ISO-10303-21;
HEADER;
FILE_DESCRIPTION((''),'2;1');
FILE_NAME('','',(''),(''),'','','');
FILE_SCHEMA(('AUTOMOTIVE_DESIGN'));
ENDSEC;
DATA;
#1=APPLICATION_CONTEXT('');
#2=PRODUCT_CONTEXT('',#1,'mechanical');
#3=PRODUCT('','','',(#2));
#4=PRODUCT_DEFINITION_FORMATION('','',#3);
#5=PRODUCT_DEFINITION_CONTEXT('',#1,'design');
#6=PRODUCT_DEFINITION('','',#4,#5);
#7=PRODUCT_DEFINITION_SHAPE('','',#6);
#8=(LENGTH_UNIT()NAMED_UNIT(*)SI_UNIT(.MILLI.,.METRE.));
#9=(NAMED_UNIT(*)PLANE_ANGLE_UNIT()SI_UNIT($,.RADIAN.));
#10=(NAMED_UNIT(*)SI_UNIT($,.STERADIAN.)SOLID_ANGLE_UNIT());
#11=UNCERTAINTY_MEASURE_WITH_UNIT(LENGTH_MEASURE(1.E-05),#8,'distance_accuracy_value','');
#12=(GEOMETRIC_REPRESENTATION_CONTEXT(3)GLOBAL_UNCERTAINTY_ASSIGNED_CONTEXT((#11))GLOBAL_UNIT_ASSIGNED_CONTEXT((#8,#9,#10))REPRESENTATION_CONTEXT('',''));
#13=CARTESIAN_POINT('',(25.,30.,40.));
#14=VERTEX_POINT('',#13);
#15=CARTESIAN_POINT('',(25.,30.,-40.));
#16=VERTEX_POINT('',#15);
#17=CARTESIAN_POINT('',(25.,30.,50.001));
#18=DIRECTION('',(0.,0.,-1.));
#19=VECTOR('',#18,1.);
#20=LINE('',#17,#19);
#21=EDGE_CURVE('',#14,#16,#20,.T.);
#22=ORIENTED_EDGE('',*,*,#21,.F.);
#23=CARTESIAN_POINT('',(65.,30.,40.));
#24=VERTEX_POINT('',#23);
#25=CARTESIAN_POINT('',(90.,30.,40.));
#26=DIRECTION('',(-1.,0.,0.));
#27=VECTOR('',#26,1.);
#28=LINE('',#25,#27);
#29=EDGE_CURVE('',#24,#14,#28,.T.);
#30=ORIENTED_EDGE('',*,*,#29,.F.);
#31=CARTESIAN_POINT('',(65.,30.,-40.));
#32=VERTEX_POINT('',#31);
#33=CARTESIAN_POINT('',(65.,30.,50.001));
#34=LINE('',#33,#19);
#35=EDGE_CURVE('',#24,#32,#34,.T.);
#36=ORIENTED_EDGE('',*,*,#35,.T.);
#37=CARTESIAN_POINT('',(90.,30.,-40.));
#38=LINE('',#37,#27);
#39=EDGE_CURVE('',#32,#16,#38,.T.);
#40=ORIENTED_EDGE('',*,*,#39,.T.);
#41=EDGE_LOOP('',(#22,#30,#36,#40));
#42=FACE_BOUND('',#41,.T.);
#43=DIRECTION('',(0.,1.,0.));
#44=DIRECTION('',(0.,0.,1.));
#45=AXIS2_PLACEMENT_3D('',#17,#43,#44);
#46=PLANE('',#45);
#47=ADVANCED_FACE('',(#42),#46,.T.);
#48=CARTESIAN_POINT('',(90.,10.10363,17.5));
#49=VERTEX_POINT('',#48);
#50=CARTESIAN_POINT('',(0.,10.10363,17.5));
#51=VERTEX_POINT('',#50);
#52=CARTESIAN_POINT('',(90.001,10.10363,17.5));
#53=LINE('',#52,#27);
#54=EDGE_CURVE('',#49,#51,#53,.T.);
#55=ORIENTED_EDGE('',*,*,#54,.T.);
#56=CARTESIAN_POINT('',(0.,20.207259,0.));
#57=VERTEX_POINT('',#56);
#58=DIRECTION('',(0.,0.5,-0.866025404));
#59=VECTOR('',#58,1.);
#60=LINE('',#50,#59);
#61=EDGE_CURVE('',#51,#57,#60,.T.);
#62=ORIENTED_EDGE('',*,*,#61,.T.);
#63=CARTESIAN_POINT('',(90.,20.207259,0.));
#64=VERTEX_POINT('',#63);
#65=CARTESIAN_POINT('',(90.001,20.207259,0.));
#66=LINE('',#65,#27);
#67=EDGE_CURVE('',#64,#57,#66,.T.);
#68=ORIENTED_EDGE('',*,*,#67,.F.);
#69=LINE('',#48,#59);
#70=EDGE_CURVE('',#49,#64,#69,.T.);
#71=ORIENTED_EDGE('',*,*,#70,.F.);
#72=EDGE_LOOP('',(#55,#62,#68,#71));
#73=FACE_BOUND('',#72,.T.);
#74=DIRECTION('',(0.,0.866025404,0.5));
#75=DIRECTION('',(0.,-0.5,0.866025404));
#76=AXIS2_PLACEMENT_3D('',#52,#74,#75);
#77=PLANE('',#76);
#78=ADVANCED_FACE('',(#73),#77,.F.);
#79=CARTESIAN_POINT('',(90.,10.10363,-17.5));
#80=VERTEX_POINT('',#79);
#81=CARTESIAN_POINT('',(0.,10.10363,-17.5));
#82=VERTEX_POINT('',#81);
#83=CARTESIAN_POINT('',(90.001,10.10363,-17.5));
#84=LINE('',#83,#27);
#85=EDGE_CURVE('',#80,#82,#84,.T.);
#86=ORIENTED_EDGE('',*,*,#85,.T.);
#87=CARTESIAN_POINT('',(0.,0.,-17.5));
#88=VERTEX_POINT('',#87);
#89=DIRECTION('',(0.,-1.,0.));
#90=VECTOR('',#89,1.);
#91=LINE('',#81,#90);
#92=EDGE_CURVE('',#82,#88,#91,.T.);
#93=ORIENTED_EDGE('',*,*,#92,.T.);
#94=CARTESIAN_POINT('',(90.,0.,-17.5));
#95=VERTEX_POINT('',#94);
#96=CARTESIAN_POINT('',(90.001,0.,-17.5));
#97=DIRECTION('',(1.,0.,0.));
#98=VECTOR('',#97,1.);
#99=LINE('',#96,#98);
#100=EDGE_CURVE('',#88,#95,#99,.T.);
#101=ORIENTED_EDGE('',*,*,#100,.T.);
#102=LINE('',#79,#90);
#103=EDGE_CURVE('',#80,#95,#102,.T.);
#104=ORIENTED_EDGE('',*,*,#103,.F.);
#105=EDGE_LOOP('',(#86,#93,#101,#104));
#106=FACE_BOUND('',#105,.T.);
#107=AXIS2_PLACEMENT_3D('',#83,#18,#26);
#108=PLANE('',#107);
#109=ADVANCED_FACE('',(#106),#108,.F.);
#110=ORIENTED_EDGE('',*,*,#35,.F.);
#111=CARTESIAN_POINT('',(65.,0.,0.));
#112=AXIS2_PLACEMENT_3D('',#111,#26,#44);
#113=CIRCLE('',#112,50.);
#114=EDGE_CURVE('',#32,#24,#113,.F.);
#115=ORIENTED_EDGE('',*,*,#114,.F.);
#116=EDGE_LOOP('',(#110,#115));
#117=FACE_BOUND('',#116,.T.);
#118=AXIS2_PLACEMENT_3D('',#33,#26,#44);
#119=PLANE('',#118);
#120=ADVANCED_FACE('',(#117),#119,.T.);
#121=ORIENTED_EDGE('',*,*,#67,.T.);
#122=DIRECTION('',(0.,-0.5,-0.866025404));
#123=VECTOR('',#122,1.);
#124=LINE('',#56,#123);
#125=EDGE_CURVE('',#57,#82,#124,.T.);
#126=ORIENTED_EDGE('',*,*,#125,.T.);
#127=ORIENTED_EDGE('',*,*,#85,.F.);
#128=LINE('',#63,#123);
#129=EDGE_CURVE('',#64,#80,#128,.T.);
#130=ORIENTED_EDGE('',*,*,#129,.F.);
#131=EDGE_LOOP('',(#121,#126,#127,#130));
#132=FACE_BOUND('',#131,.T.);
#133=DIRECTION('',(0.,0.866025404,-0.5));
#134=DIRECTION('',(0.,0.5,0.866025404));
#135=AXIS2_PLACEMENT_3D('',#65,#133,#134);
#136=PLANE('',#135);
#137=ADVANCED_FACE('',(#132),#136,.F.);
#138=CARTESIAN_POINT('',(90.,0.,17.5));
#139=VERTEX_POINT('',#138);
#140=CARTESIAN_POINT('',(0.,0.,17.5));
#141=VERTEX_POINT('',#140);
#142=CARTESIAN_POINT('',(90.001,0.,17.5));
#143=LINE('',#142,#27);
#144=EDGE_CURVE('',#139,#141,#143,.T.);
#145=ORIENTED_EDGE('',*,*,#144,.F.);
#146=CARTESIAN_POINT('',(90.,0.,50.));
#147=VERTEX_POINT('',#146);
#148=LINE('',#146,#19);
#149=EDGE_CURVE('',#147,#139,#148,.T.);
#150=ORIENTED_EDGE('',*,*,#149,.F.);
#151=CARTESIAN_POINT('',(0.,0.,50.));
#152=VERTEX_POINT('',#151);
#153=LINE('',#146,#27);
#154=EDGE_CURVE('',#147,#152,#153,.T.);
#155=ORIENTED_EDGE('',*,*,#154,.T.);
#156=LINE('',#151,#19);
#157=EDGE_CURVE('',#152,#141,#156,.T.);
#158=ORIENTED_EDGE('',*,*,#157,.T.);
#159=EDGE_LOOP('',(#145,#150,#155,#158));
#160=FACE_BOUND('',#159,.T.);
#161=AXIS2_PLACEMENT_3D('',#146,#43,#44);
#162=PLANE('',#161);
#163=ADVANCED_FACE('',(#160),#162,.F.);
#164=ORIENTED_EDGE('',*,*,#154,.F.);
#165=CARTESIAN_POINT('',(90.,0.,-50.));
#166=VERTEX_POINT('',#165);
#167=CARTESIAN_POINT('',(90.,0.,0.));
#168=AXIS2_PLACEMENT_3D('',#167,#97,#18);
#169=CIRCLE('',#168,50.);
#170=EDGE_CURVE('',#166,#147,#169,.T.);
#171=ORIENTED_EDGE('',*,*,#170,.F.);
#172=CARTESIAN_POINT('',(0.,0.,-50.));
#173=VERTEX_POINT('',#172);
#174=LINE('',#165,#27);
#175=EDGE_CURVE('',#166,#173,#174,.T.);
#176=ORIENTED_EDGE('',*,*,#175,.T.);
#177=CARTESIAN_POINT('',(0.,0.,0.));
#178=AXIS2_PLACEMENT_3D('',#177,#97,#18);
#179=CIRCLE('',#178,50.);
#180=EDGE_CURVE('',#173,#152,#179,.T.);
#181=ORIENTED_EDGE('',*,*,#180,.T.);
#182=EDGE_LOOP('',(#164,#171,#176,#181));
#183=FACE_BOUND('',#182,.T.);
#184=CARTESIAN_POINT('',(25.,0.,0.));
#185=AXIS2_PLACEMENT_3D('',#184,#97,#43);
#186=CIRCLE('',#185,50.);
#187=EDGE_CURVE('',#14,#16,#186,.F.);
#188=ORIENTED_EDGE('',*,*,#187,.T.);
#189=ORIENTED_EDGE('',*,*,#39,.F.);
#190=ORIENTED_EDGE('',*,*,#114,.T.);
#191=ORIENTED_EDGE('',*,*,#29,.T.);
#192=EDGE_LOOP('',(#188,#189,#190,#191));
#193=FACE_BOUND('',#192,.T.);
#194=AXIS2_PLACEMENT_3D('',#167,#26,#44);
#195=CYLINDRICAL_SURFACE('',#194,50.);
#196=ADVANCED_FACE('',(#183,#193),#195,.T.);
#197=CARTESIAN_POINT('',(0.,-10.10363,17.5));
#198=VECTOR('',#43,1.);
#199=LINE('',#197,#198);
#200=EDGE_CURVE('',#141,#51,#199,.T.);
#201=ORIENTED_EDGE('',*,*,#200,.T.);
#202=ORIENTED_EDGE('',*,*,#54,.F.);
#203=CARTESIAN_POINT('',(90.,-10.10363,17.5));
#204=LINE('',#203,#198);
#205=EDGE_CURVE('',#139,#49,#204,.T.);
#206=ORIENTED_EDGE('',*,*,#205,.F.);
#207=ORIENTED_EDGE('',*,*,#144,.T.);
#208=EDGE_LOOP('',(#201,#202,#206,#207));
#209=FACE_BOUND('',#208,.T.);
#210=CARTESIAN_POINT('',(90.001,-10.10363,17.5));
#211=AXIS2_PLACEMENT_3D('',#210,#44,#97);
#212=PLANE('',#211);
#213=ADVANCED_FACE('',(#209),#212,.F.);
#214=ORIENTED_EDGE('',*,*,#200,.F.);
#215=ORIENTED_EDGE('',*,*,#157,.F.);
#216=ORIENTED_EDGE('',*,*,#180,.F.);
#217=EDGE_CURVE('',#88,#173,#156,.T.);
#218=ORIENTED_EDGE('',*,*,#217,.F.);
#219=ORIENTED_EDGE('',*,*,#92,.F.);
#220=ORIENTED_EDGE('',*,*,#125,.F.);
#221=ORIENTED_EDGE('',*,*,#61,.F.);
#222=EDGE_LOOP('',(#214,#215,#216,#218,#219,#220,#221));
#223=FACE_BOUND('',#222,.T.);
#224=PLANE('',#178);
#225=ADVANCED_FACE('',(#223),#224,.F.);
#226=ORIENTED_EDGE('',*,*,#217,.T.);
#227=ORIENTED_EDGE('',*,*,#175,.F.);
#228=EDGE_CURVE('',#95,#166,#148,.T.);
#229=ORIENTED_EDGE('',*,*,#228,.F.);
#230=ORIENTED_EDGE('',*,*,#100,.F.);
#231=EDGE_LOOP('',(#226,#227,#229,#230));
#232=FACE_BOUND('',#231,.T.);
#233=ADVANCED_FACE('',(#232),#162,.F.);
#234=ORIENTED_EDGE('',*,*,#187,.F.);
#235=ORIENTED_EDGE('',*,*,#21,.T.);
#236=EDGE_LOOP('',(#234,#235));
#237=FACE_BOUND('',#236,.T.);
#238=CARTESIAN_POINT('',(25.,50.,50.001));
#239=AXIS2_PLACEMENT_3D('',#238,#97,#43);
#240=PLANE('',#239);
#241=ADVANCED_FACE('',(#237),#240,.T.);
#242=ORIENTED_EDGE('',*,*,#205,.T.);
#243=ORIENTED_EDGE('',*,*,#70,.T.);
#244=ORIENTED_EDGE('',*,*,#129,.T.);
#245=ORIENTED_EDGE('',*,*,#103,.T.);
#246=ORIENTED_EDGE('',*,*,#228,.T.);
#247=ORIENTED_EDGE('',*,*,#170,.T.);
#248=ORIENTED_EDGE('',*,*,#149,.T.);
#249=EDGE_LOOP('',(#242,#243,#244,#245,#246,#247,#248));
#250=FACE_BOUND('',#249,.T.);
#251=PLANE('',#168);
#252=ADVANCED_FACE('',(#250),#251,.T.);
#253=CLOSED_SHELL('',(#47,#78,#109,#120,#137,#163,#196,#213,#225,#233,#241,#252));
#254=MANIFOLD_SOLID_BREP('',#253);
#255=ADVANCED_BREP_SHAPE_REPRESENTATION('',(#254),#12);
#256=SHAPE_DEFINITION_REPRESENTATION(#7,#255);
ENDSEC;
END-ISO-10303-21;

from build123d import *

# Parameters (mm, degrees)
BOSS_EXTRUDE1_DEPTH                 = 90
CUT_EXTRUDE1_REACH                  = 116.455
CUT_EXTRUDE2_REACH                  = 116.455
CUT_EXTRUDE2_END_RADIUS             = 50
SKETCH3_W                           = 40
SKETCH3_H                           = 20
CUT_EXTRUDE2_DIRECTION_2_REACH      = 116.455
CUT_EXTRUDE2_DIRECTION_2_END_RADIUS = 50


with BuildPart() as part:
    # Sketch1 → Boss-Extrude1 (new body)
    with BuildSketch(Plane(origin=(0, 0, 0), x_dir=(0, 0, -1), z_dir=(1, 0, 0))):
        with BuildLine():
            Line((-50, 0), (50, 0))
            ThreePointArc((50, 0), (0, 50), (-50, 0))
        make_face()
    extrude(amount=BOSS_EXTRUDE1_DEPTH)

    # Sketch2 → Cut-Extrude1 (cut, up to next)
    with BuildSketch(Plane.ZY, mode=Mode.PRIVATE) as cut_extrude1_sk1:
        Polygon((0, 20.207259422), (-17.5, 10.103629711), (-17.5, -10.103629711), (0, -20.207259422), (17.5, -10.103629711), (17.5, 10.103629711), align=None)
    cut_extrude1_tool1 = extrude(cut_extrude1_sk1.sketch, amount=-CUT_EXTRUDE1_REACH, mode=Mode.PRIVATE) & part.part
    add(cut_extrude1_tool1.solids().sort_by_distance((0, 0, 0))[0], mode=Mode.SUBTRACT)

    # Cut-Extrude2: up to this cylinder (the profile starts inside it)
    cut_extrude2_end = Plane(origin=(45, 0, 0), z_dir=(-1, 0, 0)) * Cylinder(CUT_EXTRUDE2_END_RADIUS, 333.91, mode=Mode.PRIVATE)
    # Sketch3 → Cut-Extrude2 (cut, up to the surface)
    with BuildSketch(Plane.XY, mode=Mode.PRIVATE) as cut_extrude2_sk1:
        with Locations((45, 40)):
            Rectangle(SKETCH3_W, SKETCH3_H)
    cut_extrude2_tool1 = extrude(cut_extrude2_sk1.sketch, amount=-CUT_EXTRUDE2_REACH, mode=Mode.PRIVATE) & cut_extrude2_end
    add(cut_extrude2_tool1.solids().sort_by_distance((45, 40, 0))[0], mode=Mode.SUBTRACT)

    # Cut-Extrude2 direction 2: up to this cylinder (the profile starts inside it)
    cut_extrude2_direction_2_end = Plane(origin=(45, 0, 0), z_dir=(-1, 0, 0)) * Cylinder(CUT_EXTRUDE2_DIRECTION_2_END_RADIUS, 333.91, mode=Mode.PRIVATE)
    # Sketch3 → Cut-Extrude2 direction 2 (cut, up to the surface)
    with BuildSketch(Plane.XY, mode=Mode.PRIVATE) as cut_extrude2_direction_2_sk1:
        with Locations((45, 40)):
            Rectangle(SKETCH3_W, SKETCH3_H)
    cut_extrude2_direction_2_tool1 = extrude(cut_extrude2_direction_2_sk1.sketch, amount=CUT_EXTRUDE2_DIRECTION_2_REACH, mode=Mode.PRIVATE) & cut_extrude2_direction_2_end
    add(cut_extrude2_direction_2_tool1.solids().sort_by_distance((45, 40, 0))[0], mode=Mode.SUBTRACT)


solid = part.part
